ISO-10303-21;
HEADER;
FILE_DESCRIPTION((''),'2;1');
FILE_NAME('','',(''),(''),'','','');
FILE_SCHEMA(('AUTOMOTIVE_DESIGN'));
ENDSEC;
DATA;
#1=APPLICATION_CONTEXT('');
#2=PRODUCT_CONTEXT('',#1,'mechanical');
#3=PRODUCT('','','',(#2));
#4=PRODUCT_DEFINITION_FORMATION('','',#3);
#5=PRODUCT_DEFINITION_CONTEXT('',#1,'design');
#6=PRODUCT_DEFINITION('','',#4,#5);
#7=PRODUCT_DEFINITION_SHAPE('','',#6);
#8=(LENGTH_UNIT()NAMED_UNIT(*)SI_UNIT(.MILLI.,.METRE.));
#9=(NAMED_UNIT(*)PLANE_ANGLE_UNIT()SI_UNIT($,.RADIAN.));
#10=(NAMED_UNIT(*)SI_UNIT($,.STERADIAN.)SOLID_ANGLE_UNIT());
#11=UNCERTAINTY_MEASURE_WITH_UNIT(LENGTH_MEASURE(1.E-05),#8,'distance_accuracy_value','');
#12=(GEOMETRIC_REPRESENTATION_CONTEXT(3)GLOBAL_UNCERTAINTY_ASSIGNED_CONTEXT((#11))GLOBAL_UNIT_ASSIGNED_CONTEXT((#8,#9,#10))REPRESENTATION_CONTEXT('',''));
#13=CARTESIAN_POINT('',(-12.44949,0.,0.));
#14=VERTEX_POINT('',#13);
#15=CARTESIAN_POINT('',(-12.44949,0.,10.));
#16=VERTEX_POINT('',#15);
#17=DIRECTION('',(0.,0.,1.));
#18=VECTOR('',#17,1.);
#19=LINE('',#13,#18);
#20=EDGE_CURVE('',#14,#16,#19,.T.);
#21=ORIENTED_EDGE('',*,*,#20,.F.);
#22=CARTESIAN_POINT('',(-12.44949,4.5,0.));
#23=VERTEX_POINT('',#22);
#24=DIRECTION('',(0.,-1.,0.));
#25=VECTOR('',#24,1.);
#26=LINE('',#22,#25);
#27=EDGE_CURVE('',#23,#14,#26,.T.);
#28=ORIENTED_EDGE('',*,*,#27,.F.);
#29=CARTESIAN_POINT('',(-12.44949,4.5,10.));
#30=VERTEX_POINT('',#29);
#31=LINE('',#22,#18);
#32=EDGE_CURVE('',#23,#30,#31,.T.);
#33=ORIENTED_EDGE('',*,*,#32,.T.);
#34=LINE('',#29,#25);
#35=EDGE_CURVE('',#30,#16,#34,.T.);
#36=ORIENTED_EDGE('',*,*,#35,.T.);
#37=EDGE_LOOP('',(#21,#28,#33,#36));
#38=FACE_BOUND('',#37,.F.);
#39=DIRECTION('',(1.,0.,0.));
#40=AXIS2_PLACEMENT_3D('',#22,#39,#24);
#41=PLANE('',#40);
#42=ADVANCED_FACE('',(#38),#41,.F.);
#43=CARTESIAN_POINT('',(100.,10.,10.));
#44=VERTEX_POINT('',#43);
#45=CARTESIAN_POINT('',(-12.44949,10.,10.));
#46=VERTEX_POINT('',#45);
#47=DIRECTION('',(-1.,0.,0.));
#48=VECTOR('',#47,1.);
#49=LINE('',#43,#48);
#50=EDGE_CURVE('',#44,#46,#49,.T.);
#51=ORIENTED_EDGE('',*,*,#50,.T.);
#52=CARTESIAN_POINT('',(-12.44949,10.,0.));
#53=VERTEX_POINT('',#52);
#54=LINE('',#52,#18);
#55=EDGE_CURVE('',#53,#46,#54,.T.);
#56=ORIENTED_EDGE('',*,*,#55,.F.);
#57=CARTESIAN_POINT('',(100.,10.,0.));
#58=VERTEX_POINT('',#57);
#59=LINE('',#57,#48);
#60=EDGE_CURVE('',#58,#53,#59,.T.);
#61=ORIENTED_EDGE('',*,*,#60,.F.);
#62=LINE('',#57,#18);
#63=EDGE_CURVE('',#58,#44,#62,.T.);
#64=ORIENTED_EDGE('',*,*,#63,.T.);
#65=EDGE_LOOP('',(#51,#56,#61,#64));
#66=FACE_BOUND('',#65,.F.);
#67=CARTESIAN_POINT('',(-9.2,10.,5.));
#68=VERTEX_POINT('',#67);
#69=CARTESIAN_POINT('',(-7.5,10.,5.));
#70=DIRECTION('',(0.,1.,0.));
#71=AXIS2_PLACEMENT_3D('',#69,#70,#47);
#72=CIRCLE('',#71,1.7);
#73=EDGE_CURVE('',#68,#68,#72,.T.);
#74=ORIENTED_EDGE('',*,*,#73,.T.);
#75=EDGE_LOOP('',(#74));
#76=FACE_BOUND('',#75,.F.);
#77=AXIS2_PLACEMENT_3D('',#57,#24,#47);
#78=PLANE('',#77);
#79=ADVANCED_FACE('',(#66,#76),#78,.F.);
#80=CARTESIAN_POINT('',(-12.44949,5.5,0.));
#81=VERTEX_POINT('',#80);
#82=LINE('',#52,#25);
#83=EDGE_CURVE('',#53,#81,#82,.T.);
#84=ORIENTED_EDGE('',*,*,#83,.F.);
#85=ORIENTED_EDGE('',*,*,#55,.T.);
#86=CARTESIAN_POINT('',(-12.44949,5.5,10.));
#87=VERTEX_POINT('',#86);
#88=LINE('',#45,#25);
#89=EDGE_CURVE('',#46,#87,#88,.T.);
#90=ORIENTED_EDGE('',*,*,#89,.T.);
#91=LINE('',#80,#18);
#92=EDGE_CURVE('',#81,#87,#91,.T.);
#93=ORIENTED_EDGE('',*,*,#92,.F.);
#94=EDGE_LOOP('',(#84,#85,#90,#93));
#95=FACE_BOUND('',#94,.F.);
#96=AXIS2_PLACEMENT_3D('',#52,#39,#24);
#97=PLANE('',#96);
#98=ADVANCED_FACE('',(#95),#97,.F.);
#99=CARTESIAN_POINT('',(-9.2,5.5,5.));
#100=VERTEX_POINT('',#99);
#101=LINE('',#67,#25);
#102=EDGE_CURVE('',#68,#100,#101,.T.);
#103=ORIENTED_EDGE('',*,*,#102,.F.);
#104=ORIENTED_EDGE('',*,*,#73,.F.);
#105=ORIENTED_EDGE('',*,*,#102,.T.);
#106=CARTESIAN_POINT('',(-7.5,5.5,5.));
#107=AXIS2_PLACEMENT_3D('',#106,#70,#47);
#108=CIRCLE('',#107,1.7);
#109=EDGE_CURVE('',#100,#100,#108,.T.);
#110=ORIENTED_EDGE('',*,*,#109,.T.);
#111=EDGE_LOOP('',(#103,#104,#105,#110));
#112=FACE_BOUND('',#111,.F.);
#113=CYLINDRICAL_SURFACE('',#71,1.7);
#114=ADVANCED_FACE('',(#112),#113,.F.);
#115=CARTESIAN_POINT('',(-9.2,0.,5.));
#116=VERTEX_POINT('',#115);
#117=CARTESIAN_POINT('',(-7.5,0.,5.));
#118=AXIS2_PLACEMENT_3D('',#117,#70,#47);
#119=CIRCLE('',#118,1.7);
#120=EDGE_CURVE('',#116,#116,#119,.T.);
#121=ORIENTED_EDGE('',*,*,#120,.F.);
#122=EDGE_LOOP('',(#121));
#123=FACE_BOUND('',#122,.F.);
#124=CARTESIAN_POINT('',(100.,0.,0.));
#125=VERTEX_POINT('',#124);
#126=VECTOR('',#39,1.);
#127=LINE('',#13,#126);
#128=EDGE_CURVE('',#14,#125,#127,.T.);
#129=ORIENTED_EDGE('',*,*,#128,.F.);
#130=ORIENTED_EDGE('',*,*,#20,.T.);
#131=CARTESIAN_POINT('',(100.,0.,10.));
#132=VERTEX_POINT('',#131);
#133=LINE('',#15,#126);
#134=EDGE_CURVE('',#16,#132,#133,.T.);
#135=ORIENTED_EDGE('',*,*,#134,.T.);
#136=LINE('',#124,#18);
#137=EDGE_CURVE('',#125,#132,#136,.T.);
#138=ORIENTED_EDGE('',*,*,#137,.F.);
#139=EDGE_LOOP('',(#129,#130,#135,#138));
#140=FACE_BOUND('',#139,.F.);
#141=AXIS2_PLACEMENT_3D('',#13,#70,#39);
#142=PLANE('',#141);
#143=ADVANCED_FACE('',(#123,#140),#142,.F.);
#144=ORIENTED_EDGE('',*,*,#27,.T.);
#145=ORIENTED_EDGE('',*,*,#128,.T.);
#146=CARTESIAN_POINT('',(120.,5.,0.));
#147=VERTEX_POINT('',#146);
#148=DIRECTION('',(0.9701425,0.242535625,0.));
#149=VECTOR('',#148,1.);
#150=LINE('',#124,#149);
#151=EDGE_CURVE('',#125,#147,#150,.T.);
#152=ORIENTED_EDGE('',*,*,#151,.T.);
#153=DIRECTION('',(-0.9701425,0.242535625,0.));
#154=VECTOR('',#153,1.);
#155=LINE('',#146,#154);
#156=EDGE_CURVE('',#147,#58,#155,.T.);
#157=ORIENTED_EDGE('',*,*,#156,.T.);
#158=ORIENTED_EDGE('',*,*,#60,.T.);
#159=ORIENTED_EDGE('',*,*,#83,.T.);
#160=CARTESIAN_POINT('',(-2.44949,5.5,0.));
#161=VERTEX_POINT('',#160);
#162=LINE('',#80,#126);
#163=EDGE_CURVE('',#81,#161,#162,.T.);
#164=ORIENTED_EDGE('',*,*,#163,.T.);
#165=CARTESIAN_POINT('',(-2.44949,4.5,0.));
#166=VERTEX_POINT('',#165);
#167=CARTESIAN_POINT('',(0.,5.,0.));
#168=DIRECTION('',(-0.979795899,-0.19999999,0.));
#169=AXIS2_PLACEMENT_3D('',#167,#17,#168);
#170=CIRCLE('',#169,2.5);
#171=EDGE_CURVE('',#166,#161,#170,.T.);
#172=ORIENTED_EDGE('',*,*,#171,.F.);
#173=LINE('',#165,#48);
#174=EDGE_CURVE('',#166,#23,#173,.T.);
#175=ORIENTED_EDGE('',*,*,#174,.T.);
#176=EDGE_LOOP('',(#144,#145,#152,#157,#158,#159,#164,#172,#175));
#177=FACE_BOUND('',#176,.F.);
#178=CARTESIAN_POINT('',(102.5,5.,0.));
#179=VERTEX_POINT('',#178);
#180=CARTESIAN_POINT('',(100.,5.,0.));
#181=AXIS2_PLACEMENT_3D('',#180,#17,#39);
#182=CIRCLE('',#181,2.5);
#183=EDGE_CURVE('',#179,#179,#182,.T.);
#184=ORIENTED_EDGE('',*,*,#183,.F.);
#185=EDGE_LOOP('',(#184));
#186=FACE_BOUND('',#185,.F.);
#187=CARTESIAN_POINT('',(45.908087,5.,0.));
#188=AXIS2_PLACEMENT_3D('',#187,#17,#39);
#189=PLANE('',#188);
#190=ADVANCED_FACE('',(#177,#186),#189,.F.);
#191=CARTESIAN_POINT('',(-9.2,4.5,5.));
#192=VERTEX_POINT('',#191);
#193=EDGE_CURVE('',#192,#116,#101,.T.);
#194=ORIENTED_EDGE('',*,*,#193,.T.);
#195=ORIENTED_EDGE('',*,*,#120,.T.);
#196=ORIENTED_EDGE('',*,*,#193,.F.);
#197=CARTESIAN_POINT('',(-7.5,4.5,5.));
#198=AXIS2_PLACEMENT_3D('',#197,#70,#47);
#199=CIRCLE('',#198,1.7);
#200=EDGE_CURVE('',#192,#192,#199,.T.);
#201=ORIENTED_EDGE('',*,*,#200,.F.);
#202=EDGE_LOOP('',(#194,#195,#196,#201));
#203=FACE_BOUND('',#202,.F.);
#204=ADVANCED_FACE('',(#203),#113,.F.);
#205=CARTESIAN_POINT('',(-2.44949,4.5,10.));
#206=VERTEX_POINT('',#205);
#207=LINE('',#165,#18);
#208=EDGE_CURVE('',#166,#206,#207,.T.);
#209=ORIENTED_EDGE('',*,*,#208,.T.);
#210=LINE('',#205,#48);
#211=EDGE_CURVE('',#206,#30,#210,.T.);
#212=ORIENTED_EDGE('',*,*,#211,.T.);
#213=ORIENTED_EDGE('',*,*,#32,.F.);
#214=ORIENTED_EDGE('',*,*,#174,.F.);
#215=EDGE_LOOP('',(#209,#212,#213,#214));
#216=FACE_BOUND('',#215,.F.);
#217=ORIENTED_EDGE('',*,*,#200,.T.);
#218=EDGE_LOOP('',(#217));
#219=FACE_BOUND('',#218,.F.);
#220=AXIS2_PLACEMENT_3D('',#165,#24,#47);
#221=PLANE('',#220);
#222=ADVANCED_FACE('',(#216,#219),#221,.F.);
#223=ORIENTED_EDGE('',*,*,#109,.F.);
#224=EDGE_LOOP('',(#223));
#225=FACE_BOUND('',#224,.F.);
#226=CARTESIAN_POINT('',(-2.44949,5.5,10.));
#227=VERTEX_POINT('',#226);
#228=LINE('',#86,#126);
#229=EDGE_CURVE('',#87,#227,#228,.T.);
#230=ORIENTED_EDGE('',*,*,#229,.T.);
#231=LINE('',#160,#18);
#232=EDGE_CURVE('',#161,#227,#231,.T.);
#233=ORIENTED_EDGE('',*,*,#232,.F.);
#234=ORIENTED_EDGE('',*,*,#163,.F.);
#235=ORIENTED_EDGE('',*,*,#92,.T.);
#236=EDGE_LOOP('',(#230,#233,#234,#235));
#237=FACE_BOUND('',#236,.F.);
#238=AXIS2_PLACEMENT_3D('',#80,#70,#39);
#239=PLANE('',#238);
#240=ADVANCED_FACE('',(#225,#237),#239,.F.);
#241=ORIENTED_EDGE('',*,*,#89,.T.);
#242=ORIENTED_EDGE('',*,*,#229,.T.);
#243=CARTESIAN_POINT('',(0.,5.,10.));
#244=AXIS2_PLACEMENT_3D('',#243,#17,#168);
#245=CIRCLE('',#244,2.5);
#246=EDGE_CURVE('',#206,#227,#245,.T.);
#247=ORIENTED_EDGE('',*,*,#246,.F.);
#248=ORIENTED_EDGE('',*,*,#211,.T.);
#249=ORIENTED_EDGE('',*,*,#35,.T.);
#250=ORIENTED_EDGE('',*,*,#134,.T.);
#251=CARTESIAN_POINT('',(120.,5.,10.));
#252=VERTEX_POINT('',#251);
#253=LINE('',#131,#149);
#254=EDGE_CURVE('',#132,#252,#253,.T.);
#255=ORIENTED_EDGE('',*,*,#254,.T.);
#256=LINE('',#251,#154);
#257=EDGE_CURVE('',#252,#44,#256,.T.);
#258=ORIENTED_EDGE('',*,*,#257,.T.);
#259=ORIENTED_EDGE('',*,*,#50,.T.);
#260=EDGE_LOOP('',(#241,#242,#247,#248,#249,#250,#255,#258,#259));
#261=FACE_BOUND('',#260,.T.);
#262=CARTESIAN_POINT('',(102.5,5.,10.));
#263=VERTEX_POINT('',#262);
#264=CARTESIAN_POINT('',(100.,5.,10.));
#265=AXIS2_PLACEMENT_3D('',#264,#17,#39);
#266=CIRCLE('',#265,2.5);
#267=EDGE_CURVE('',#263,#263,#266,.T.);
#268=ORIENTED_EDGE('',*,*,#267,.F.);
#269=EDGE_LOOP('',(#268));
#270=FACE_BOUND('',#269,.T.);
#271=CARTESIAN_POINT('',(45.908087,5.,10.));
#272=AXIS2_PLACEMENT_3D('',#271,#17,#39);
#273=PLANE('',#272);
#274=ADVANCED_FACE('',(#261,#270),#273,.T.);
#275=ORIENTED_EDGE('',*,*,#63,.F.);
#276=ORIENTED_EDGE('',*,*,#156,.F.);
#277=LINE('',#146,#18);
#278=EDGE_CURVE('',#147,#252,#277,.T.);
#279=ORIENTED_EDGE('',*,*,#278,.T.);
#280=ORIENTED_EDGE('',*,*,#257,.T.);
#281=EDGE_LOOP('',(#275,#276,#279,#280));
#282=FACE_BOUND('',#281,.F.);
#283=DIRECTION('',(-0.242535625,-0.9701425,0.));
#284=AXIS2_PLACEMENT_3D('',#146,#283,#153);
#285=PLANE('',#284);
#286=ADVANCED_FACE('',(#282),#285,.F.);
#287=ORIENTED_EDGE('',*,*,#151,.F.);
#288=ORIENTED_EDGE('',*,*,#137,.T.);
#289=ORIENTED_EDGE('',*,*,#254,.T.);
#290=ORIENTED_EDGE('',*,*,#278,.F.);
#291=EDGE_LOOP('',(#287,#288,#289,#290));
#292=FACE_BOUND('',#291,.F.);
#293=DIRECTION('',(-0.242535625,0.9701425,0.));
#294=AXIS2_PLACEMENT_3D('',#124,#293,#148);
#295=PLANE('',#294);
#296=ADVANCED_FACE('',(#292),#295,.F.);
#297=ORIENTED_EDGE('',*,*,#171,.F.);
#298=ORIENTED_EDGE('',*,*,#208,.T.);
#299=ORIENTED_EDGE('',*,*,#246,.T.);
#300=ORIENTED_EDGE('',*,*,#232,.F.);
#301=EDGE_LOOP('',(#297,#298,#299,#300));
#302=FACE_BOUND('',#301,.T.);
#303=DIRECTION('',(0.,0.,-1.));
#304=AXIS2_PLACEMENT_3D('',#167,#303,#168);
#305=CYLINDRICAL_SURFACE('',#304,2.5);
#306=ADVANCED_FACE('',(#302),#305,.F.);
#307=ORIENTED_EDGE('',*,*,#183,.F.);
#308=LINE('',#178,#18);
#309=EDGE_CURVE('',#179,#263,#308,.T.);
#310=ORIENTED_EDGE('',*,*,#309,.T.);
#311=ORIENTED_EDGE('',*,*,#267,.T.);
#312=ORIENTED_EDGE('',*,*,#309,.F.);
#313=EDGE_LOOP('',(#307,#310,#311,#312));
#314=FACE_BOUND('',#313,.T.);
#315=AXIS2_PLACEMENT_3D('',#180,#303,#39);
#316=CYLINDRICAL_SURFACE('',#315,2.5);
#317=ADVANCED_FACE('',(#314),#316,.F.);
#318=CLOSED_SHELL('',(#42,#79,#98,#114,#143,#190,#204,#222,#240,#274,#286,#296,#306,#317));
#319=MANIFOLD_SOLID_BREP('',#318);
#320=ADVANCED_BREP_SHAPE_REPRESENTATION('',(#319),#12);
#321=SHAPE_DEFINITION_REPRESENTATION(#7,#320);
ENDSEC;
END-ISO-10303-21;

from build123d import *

# Parameters (mm, degrees)
SKETCH001_R  = 2.5
PAD_DEPTH    = 10
SKETCH_R     = 1.7
POCKET_DEPTH = 12


with BuildPart() as part:
    # Sketch001 → Pad (new body)
    with BuildSketch(Plane.XY):
        with BuildLine():
            Line((0, 0), (100, 0))
            Line((100, 0), (120, 5))
            Line((120, 5), (100, 10))
            Line((100, 10), (-12.44949, 10))
            Line((-12.44949, 10), (-12.44949, 5.5))
            Line((-12.44949, 5.5), (-2.44949, 5.5))
            ThreePointArc((-2.44949, 4.5), (2.5, 5), (-2.44949, 5.5))
            Line((-2.44949, 4.5), (-12.44949, 4.5))
            Line((-12.44949, 4.5), (-12.44949, 0))
            Line((-12.44949, 0), (0, 0))
        make_face()
        with Locations((100, 5)):
            Circle(SKETCH001_R, mode=Mode.SUBTRACT)
    extrude(amount=PAD_DEPTH)

    # Sketch (on Face7 of Pad) → Pocket (cut)
    with BuildSketch(Plane(origin=(0, 10, 0), x_dir=(-1, 0, 0), z_dir=(0, 1, 0))):
        with Locations((7.5, 5)):
            Circle(SKETCH_R)
    extrude(amount=-POCKET_DEPTH, mode=Mode.SUBTRACT)


solid = part.part
